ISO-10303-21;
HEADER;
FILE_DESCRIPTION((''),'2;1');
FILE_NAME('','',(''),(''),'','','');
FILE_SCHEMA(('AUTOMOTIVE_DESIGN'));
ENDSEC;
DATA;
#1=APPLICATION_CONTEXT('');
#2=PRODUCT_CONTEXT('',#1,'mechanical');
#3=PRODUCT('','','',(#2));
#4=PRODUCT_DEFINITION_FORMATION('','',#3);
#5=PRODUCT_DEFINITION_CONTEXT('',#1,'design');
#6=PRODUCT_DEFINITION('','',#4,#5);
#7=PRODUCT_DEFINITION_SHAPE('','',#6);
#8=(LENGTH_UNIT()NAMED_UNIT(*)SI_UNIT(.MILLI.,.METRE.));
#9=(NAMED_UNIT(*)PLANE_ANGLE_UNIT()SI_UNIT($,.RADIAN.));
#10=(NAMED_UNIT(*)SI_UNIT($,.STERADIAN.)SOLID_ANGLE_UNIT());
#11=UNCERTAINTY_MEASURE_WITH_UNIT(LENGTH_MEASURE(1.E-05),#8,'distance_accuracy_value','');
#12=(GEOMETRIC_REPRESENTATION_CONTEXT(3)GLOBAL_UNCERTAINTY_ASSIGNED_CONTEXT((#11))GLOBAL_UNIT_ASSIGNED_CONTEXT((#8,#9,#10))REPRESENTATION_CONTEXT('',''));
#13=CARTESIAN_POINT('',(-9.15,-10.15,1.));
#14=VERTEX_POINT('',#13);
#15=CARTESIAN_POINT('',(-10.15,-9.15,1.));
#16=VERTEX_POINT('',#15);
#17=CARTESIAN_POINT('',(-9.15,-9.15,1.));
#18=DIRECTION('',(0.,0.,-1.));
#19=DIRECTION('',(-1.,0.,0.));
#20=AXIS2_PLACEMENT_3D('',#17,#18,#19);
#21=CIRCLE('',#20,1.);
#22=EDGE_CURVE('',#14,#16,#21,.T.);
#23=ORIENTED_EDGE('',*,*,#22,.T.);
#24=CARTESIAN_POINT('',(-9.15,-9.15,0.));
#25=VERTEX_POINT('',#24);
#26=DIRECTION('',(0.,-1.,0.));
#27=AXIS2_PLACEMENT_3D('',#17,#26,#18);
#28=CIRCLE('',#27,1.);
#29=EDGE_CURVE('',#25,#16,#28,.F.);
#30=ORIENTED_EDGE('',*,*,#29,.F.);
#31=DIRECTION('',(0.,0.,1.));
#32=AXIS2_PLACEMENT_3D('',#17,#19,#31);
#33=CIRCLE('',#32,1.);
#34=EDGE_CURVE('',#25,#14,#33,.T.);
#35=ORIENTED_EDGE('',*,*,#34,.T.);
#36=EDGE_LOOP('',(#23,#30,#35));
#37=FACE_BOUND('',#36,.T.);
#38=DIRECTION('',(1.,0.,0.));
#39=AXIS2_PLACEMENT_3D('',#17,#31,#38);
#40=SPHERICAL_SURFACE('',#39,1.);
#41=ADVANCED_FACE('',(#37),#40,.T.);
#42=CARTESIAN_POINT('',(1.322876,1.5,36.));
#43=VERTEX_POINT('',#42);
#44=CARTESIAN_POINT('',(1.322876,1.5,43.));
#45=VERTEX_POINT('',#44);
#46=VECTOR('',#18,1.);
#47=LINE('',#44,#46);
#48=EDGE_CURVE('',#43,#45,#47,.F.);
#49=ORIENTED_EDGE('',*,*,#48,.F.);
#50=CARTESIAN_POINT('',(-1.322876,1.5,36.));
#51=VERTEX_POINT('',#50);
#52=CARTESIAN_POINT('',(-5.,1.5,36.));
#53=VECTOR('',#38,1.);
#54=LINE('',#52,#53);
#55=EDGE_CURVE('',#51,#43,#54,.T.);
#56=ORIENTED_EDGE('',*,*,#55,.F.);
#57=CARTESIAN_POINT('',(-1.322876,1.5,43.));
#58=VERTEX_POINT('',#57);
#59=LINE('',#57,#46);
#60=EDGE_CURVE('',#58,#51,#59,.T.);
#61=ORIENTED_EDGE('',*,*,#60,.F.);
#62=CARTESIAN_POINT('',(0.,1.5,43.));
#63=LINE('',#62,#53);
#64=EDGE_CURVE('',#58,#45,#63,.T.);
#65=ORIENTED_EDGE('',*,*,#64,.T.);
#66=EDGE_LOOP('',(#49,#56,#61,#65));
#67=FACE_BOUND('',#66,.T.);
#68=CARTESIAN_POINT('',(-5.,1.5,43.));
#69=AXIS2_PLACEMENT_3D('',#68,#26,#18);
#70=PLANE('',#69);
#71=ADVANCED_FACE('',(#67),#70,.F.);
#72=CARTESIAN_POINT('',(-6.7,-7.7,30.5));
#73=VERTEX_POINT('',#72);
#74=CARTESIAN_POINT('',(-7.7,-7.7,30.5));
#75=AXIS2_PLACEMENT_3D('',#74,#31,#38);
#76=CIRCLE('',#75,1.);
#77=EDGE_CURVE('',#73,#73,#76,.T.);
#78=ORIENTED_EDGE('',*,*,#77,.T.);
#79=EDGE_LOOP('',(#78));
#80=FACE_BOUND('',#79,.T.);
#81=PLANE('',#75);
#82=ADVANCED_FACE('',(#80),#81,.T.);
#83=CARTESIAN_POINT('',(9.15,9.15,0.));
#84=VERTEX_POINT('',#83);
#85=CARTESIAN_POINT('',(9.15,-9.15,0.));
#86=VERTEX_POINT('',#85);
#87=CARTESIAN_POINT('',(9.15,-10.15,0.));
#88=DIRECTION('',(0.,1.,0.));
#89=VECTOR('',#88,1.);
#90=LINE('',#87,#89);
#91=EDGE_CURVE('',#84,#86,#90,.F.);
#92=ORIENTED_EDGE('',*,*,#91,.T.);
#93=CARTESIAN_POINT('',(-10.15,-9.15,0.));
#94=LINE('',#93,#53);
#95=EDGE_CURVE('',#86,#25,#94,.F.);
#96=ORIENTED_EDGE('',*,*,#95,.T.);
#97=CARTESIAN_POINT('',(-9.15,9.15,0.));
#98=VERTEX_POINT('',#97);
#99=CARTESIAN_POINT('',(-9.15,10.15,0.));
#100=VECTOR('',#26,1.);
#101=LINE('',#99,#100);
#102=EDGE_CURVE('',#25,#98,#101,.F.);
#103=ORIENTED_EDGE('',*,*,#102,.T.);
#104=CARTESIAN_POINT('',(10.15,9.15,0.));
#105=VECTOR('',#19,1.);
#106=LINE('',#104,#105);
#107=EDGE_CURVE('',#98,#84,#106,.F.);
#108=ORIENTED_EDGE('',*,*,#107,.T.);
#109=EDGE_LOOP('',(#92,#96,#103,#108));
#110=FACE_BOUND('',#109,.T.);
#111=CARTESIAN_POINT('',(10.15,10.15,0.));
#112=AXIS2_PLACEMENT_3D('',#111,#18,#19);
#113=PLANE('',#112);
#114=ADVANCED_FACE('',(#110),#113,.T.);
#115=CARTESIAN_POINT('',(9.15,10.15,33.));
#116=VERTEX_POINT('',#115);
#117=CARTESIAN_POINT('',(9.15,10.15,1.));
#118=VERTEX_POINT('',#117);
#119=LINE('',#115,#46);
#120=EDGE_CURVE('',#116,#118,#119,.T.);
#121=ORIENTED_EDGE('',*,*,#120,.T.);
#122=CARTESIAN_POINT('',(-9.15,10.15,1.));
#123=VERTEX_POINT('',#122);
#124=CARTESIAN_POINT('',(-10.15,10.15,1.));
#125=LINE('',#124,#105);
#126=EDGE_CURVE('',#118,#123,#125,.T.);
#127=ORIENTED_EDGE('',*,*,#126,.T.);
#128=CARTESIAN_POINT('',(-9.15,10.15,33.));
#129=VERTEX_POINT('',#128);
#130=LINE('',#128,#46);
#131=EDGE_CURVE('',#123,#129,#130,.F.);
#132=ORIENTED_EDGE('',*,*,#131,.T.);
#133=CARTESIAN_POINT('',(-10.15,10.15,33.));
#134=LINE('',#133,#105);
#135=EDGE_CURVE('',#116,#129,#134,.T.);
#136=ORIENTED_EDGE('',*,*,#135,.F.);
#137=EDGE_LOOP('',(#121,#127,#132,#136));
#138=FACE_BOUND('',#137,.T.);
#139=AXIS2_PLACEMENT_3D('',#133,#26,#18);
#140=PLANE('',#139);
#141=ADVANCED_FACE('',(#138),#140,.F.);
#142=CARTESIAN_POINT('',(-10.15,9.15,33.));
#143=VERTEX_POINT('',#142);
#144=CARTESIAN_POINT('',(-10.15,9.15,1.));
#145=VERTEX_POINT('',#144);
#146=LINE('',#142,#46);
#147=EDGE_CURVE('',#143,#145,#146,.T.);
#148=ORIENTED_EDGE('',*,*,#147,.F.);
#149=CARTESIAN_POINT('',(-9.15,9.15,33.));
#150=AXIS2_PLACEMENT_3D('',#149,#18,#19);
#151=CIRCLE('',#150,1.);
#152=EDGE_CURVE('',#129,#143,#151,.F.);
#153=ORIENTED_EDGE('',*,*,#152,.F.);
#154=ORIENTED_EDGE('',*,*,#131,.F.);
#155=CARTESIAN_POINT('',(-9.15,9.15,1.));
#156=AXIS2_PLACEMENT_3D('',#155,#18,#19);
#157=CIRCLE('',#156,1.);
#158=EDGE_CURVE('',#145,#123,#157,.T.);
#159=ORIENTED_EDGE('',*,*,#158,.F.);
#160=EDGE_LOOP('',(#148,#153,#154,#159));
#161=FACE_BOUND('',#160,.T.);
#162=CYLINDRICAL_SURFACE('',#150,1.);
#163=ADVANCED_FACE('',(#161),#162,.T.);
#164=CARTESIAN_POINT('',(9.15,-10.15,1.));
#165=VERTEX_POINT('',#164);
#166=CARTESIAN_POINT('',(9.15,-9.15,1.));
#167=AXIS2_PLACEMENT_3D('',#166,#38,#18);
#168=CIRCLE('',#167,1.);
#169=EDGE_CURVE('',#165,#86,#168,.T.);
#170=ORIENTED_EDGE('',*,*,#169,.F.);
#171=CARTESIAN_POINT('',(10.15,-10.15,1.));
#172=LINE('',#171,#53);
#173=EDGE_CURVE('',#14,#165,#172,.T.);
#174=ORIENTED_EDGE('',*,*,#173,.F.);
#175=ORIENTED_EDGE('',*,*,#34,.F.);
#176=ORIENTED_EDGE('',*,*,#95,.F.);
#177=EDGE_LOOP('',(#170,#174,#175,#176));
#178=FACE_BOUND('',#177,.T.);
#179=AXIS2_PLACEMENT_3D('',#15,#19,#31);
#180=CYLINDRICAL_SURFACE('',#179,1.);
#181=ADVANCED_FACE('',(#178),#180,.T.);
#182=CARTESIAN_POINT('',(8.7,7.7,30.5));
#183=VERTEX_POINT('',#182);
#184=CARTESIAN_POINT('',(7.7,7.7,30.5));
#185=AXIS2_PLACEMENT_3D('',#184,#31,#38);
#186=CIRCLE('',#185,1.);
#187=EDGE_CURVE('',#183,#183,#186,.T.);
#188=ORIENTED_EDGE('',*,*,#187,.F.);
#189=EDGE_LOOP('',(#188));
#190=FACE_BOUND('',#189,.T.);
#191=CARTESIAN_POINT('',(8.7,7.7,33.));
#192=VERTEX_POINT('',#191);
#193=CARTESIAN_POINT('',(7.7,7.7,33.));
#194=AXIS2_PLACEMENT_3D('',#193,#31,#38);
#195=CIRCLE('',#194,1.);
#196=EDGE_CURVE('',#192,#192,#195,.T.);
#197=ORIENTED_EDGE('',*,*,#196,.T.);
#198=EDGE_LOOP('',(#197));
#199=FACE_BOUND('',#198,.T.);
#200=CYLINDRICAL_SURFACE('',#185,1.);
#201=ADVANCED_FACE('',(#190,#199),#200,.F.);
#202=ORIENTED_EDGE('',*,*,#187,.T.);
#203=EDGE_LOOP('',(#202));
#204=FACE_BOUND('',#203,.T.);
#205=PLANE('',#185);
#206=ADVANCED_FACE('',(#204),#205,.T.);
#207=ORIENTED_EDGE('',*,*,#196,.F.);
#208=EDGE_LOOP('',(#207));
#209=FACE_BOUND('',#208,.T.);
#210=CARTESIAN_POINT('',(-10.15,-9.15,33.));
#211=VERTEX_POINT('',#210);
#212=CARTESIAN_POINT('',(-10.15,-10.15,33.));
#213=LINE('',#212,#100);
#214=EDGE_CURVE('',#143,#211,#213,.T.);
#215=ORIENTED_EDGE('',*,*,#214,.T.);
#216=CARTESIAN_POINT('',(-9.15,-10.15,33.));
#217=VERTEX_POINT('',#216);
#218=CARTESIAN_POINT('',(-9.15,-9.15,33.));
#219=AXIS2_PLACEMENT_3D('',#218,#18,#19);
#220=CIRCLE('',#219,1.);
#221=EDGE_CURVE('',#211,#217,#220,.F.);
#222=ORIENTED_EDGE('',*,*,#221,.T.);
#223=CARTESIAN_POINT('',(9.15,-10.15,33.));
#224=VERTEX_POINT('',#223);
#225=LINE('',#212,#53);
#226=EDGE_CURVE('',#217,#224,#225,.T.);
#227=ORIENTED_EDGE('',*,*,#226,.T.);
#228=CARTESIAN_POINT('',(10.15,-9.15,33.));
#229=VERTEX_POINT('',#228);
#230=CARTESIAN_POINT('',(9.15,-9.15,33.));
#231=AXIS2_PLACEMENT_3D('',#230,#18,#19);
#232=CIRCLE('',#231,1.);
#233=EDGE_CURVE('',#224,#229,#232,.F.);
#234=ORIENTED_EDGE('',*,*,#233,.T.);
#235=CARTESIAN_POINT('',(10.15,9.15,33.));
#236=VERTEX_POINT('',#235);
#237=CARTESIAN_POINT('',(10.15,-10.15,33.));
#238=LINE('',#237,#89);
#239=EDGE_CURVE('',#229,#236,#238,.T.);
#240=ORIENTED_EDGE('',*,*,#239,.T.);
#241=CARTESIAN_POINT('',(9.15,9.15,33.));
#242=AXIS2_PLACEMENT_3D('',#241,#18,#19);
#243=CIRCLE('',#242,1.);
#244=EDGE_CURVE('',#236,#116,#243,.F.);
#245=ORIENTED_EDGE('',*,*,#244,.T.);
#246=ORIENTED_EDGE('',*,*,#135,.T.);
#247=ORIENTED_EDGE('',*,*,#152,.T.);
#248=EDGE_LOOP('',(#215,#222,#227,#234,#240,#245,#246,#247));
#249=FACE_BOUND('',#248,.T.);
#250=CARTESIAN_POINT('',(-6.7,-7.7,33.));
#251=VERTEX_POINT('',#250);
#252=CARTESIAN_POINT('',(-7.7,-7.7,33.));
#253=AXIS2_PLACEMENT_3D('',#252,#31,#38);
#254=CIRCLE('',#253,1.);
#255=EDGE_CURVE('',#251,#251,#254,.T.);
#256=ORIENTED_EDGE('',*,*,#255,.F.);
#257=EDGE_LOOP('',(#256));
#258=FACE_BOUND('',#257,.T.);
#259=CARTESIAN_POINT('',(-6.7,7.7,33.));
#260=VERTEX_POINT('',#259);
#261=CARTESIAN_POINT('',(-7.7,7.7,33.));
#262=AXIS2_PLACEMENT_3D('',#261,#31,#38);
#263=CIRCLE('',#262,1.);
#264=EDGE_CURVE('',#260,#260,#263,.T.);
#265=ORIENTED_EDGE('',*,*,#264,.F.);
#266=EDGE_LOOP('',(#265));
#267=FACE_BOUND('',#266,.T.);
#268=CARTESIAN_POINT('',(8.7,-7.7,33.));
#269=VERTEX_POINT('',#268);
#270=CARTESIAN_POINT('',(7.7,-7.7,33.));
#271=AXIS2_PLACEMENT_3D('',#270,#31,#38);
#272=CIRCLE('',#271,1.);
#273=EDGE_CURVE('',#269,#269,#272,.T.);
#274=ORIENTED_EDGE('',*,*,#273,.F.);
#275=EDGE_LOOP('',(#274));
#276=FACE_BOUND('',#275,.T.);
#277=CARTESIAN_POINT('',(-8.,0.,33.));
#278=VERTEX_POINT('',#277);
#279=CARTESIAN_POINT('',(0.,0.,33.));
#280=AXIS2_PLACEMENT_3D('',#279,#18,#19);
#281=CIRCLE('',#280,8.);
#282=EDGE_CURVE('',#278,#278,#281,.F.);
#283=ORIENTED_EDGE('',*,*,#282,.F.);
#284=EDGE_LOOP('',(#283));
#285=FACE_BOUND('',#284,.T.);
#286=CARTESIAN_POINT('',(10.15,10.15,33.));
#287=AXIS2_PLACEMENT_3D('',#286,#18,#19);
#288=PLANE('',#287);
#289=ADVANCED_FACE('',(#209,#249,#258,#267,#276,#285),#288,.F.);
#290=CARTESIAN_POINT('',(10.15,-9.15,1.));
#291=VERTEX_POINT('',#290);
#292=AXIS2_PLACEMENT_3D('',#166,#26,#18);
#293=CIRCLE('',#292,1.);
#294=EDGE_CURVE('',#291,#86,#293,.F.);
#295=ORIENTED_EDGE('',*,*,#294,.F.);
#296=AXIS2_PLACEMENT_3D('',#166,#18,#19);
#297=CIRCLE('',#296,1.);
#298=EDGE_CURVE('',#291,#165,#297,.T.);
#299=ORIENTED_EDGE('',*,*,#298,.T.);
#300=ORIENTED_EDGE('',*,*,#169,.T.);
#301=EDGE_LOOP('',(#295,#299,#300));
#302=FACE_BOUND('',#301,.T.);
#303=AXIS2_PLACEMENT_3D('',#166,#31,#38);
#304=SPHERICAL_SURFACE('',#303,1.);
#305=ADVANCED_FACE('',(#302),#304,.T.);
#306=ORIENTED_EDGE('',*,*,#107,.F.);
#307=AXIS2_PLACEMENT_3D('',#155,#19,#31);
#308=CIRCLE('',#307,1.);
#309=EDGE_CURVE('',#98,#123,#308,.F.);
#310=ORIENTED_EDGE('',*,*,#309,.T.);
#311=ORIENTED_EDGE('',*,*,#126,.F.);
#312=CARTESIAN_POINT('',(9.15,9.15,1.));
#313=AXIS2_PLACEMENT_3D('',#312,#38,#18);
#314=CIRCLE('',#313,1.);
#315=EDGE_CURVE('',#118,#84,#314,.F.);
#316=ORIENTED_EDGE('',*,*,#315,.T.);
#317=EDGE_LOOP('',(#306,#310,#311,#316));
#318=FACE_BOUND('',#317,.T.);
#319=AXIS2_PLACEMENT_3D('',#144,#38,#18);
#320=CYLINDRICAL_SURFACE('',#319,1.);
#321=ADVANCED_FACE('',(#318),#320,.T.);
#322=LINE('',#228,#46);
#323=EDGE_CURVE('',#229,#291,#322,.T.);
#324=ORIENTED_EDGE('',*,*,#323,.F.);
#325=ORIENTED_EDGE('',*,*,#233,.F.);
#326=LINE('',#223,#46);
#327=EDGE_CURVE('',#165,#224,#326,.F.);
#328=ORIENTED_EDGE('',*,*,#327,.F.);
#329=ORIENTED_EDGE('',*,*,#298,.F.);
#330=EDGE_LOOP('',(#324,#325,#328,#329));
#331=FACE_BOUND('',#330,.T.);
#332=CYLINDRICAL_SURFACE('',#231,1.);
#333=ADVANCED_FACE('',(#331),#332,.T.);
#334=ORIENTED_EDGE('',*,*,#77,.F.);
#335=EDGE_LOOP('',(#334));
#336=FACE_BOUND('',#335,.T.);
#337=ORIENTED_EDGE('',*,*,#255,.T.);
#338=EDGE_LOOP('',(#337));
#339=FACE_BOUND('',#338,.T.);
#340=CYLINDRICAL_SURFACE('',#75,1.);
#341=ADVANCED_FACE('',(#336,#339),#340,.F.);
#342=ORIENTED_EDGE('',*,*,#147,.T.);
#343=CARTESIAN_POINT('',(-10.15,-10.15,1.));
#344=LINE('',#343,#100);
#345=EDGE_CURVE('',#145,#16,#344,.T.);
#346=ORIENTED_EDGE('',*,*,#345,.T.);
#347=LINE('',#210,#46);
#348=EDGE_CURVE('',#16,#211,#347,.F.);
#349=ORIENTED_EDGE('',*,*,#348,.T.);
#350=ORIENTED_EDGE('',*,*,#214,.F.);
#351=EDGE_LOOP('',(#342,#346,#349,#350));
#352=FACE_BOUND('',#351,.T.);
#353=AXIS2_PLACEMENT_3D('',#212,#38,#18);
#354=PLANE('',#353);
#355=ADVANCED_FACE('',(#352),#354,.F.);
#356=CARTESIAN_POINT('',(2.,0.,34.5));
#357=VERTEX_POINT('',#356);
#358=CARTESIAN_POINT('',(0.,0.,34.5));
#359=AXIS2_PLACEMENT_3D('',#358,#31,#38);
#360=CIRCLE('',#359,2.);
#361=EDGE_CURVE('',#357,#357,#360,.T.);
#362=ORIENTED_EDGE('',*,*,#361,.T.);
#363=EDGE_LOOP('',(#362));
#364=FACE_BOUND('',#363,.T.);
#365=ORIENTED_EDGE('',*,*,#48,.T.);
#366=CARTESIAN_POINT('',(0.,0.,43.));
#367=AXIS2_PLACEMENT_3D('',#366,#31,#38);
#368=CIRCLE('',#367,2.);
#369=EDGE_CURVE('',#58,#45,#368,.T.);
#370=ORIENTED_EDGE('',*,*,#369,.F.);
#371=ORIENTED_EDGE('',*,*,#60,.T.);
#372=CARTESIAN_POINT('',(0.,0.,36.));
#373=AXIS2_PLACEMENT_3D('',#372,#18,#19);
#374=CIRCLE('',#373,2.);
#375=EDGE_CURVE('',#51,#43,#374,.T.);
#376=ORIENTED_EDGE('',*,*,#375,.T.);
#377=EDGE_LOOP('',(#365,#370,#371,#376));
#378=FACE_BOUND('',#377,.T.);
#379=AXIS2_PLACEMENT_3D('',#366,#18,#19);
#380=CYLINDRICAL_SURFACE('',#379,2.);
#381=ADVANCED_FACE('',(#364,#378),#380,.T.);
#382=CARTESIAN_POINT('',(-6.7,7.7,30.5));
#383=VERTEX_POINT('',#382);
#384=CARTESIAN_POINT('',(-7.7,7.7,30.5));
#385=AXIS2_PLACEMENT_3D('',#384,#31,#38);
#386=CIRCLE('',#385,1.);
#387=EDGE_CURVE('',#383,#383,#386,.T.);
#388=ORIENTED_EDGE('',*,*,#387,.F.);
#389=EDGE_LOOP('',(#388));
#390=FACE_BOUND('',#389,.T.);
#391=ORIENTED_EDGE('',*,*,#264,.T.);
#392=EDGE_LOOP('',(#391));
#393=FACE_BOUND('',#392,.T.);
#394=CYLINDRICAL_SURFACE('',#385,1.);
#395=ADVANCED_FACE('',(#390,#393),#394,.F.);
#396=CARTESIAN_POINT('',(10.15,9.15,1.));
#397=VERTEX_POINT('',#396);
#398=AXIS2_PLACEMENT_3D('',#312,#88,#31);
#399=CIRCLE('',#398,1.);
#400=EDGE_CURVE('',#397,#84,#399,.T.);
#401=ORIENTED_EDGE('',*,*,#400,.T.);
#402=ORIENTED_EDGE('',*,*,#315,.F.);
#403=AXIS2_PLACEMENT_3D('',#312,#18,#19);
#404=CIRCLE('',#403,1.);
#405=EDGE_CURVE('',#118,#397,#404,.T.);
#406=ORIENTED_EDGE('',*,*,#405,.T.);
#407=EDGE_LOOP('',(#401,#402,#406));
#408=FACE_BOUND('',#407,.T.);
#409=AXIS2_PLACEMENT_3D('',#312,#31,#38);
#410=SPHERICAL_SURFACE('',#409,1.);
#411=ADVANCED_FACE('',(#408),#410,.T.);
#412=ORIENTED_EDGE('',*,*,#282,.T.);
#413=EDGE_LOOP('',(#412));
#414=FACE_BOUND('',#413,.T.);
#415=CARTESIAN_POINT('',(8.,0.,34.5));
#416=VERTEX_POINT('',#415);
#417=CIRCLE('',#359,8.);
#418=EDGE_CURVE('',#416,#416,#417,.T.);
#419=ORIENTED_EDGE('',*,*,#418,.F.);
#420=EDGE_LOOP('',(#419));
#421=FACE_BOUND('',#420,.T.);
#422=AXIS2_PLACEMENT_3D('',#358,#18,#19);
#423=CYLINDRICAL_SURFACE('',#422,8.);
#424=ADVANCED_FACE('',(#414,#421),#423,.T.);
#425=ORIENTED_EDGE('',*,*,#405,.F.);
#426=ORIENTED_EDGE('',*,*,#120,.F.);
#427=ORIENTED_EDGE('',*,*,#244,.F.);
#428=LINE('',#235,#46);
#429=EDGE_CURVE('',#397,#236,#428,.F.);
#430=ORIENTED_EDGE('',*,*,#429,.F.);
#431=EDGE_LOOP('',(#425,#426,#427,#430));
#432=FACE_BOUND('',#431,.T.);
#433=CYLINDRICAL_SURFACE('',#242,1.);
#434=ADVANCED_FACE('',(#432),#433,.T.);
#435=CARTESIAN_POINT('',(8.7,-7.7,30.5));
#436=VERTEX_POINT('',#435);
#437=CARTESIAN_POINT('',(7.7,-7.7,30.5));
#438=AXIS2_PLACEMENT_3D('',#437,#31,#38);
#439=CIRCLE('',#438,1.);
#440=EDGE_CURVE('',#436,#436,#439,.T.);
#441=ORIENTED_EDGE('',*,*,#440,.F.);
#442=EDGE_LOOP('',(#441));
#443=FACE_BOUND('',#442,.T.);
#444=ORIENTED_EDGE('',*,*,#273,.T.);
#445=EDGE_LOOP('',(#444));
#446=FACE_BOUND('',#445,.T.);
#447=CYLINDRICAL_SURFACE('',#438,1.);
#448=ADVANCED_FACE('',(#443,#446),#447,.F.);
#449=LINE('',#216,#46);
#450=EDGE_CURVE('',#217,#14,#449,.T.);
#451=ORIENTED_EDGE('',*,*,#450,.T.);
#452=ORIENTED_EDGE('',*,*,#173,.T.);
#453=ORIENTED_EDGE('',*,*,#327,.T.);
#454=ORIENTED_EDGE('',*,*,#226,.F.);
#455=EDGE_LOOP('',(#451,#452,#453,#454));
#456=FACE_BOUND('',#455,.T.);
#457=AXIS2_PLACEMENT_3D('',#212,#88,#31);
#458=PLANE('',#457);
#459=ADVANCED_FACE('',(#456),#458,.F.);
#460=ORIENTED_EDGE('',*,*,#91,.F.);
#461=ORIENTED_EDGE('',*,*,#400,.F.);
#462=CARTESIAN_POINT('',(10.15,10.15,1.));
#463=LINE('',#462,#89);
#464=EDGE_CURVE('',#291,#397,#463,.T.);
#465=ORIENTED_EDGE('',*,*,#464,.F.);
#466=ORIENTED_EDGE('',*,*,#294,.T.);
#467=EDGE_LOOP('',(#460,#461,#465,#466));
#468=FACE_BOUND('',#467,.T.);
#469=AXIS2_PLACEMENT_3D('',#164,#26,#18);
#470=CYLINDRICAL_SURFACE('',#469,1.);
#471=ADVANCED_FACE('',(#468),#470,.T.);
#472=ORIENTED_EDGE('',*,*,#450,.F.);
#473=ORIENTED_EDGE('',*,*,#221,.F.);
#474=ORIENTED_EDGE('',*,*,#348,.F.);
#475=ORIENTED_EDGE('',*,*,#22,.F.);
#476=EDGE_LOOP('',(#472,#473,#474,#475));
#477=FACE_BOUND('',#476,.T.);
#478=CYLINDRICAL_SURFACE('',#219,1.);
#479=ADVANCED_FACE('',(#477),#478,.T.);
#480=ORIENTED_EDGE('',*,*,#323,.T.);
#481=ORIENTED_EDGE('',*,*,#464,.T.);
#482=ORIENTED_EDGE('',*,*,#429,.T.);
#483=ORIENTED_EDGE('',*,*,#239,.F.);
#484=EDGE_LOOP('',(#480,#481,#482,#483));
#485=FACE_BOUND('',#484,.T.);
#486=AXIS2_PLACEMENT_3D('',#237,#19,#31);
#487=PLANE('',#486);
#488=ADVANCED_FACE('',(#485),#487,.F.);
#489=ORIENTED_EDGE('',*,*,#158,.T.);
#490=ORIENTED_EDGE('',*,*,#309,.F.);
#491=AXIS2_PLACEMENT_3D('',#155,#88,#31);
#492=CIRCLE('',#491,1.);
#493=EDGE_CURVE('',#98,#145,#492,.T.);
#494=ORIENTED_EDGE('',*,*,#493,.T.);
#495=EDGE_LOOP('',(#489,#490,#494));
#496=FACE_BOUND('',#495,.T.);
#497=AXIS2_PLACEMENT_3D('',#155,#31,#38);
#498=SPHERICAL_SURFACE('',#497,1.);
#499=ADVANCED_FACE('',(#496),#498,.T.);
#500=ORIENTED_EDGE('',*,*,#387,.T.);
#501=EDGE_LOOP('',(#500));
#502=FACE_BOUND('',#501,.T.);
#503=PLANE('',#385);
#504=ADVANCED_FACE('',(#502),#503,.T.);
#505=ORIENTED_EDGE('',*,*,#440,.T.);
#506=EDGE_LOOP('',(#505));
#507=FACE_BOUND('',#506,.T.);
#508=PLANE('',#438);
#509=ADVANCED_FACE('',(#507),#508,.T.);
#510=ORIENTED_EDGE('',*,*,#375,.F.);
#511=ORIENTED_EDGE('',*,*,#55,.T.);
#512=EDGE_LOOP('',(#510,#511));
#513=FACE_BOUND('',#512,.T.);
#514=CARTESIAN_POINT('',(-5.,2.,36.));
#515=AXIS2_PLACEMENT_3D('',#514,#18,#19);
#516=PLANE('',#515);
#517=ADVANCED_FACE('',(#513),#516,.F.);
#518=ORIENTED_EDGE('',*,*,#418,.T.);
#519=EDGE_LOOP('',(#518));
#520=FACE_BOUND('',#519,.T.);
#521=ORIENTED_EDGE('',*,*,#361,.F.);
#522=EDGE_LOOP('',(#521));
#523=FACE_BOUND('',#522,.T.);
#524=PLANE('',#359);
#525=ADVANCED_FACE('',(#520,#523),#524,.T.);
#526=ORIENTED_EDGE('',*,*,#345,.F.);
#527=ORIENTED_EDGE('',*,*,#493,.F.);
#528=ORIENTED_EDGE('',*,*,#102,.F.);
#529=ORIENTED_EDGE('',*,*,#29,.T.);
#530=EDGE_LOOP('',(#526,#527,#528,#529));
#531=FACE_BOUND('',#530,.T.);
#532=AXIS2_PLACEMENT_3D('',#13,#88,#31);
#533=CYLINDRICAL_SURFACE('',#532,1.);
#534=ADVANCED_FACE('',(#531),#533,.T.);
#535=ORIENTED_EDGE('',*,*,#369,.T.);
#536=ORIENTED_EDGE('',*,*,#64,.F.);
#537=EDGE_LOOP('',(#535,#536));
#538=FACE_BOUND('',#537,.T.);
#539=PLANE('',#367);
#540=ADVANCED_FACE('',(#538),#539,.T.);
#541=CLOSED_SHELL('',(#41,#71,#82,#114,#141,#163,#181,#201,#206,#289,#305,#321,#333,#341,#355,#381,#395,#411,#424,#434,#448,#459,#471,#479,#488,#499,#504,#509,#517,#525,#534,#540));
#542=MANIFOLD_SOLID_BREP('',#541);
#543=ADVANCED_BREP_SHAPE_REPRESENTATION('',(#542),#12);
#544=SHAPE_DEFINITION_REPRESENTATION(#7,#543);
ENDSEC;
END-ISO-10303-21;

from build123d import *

# Parameters (mm, degrees)
SKETCH1_W           = 20.3
SKETCH1_H           = 20.3
BOSS_EXTRUDE1_DEPTH = 33
SKETCH2_R           = 8
BOSS_EXTRUDE2_DEPTH = 1.5
SKETCH3_R           = 2
BOSS_EXTRUDE3_DEPTH = 8.5
SKETCH4_W           = 7
SKETCH4_H           = 0.5
CUT_EXTRUDE1_DEPTH  = 5
SKETCH5_R           = 1
CUT_EXTRUDE2_DEPTH  = 2.5
FILLET1_R           = 1


with BuildPart() as part:
    # Sketch1 → Boss-Extrude1 (new body)
    with BuildSketch(Plane.XY):
        Rectangle(SKETCH1_W, SKETCH1_H)
    extrude(amount=BOSS_EXTRUDE1_DEPTH)

    # Sketch2 → Boss-Extrude2 (add)
    with BuildSketch(Plane.XY.offset(33)):
        with Locations(Location((0, 0, 0), (0, 0, 180))):
            Circle(SKETCH2_R)
    extrude(amount=BOSS_EXTRUDE2_DEPTH)

    # Sketch3 → Boss-Extrude3 (add)
    with BuildSketch(Plane.XY.offset(34.5)):
        Circle(SKETCH3_R)
    extrude(amount=BOSS_EXTRUDE3_DEPTH)

    # Sketch4 → Cut-Extrude1 (cut, symmetric)
    with BuildSketch(Plane(origin=(0, 0, 0), x_dir=(0, 0, -1), z_dir=(1, 0, 0))):
        with Locations((-39.5, 1.75)):
            Rectangle(SKETCH4_W, SKETCH4_H)
    extrude(amount=CUT_EXTRUDE1_DEPTH, both=True, mode=Mode.SUBTRACT)

    # Sketch5 → Cut-Extrude2 (cut)
    with BuildSketch(Plane.XY.offset(33)):
        with Locations((-7.7, 7.7)):
            Circle(SKETCH5_R)
        with Locations((7.7, 7.7)):
            Circle(SKETCH5_R)
        with Locations((7.7, -7.7)):
            Circle(SKETCH5_R)
        with Locations((-7.7, -7.7)):
            Circle(SKETCH5_R)
    extrude(amount=-CUT_EXTRUDE2_DEPTH, mode=Mode.SUBTRACT)

    # Fillet1
    fillet1_edges = [part.edges().sort_by_distance(p)[0] for p in [
        (0, -10.15, 0),
        (-10.15, 0, 0),
        (0, 10.15, 0),
        (10.15, 0, 0),
        (10.15, -10.15, 16.5),
        (-10.15, -10.15, 16.5),
        (-10.15, 10.15, 16.5),
        (10.15, 10.15, 16.5),
    ]]
    fillet(fillet1_edges, radius=FILLET1_R)


solid = part.part
